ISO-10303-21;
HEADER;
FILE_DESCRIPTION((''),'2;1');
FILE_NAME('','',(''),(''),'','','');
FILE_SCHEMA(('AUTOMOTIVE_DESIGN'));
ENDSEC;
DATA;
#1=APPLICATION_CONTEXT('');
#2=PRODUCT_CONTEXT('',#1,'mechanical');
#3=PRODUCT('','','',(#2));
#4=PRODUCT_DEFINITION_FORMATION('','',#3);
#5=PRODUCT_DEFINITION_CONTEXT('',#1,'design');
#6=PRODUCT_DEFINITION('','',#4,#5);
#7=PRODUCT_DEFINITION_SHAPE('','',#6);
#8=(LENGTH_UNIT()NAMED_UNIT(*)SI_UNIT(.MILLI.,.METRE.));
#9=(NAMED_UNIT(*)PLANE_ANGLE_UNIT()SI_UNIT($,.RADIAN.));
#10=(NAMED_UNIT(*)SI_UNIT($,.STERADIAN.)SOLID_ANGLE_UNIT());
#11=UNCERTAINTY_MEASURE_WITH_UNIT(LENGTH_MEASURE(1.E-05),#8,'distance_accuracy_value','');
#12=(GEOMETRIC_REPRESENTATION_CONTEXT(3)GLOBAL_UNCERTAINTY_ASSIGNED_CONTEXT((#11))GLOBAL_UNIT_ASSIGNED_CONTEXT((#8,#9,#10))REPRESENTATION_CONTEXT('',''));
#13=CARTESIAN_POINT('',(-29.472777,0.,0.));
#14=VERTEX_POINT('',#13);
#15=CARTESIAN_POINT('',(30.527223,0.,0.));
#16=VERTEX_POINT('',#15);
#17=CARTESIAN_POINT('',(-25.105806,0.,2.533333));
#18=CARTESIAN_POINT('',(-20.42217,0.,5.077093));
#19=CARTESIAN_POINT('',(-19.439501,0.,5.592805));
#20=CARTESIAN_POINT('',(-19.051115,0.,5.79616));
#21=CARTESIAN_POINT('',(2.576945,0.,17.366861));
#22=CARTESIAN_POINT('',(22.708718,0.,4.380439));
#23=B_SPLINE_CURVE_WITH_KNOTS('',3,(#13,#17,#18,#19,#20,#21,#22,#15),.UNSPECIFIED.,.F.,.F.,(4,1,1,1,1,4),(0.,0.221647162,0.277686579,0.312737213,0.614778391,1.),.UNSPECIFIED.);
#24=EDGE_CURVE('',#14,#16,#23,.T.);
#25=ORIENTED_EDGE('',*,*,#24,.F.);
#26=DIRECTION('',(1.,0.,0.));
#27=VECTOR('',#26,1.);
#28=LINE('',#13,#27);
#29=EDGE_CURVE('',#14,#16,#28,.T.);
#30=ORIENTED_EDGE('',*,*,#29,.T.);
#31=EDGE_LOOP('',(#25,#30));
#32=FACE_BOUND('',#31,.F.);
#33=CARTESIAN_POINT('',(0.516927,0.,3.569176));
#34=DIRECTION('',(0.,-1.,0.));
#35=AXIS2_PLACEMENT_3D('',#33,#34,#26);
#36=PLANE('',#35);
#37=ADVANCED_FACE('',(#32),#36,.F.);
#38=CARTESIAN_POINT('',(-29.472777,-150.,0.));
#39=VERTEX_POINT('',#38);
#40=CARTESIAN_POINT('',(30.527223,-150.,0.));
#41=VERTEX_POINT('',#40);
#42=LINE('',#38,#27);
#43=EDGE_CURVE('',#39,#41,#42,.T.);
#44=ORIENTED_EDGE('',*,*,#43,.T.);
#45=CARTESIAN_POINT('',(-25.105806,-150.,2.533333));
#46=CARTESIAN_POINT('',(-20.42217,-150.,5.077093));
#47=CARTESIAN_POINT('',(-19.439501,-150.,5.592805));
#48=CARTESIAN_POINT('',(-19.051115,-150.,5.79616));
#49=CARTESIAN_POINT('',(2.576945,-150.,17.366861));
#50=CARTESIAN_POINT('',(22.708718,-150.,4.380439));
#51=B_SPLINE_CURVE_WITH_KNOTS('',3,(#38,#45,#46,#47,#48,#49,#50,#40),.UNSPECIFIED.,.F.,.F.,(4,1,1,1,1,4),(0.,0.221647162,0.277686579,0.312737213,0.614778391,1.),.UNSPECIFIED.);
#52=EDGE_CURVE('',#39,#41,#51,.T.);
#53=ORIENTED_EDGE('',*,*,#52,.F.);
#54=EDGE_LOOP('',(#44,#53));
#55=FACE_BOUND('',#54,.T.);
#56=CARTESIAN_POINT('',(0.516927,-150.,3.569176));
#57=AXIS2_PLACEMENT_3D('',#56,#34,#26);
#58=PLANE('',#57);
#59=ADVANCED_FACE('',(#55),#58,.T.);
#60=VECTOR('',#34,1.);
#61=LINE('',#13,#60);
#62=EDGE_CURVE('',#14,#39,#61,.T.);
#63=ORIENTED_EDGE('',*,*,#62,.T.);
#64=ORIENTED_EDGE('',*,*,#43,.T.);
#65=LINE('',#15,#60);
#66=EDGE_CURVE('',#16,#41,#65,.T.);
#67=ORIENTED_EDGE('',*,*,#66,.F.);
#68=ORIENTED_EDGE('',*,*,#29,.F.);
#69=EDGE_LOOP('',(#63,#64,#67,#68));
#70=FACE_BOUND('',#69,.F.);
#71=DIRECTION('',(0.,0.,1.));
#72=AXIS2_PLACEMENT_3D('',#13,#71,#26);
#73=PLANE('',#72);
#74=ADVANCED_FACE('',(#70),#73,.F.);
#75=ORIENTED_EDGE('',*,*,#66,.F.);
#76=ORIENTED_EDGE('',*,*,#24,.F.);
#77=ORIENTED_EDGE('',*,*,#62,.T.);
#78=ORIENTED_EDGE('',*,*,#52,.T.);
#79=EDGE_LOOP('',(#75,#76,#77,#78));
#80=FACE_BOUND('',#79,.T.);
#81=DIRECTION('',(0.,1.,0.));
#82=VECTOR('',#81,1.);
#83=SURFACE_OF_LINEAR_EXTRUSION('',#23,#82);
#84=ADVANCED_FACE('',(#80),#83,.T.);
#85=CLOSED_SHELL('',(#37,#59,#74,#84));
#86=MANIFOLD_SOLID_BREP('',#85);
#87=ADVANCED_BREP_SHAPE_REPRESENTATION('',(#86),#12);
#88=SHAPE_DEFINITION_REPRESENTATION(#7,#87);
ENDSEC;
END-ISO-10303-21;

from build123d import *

# Parameters (mm, degrees)
F1_DEPTH = 150


with BuildPart() as f1:
    # F0 (on Front) → F1 (new body)
    with BuildSketch(Plane.XZ):
        with BuildLine():
            Line((-29.4727767196, 0), (0, 0))
            Line((0, 0), (30.5272232804, 0))
            add(Edge.make_bspline(
                [(-29.4727767196, 0), (-25.105805504, 2.5333330902), (-20.4221695864, 5.0770933408), (-19.4395009844, 5.5928052767), (-19.0511150811, 5.7961597824), (2.5769448651, 17.3668611488), (22.7087175257, 4.3804385386), (30.5272232804, 0)],
                knots=[0, 0, 0, 0, 0.2216471616, 0.2776865794, 0.3127372134, 0.614778391, 1, 1, 1, 1], degree=3))
        make_face()
    extrude(amount=F1_DEPTH)


solid = f1.part
